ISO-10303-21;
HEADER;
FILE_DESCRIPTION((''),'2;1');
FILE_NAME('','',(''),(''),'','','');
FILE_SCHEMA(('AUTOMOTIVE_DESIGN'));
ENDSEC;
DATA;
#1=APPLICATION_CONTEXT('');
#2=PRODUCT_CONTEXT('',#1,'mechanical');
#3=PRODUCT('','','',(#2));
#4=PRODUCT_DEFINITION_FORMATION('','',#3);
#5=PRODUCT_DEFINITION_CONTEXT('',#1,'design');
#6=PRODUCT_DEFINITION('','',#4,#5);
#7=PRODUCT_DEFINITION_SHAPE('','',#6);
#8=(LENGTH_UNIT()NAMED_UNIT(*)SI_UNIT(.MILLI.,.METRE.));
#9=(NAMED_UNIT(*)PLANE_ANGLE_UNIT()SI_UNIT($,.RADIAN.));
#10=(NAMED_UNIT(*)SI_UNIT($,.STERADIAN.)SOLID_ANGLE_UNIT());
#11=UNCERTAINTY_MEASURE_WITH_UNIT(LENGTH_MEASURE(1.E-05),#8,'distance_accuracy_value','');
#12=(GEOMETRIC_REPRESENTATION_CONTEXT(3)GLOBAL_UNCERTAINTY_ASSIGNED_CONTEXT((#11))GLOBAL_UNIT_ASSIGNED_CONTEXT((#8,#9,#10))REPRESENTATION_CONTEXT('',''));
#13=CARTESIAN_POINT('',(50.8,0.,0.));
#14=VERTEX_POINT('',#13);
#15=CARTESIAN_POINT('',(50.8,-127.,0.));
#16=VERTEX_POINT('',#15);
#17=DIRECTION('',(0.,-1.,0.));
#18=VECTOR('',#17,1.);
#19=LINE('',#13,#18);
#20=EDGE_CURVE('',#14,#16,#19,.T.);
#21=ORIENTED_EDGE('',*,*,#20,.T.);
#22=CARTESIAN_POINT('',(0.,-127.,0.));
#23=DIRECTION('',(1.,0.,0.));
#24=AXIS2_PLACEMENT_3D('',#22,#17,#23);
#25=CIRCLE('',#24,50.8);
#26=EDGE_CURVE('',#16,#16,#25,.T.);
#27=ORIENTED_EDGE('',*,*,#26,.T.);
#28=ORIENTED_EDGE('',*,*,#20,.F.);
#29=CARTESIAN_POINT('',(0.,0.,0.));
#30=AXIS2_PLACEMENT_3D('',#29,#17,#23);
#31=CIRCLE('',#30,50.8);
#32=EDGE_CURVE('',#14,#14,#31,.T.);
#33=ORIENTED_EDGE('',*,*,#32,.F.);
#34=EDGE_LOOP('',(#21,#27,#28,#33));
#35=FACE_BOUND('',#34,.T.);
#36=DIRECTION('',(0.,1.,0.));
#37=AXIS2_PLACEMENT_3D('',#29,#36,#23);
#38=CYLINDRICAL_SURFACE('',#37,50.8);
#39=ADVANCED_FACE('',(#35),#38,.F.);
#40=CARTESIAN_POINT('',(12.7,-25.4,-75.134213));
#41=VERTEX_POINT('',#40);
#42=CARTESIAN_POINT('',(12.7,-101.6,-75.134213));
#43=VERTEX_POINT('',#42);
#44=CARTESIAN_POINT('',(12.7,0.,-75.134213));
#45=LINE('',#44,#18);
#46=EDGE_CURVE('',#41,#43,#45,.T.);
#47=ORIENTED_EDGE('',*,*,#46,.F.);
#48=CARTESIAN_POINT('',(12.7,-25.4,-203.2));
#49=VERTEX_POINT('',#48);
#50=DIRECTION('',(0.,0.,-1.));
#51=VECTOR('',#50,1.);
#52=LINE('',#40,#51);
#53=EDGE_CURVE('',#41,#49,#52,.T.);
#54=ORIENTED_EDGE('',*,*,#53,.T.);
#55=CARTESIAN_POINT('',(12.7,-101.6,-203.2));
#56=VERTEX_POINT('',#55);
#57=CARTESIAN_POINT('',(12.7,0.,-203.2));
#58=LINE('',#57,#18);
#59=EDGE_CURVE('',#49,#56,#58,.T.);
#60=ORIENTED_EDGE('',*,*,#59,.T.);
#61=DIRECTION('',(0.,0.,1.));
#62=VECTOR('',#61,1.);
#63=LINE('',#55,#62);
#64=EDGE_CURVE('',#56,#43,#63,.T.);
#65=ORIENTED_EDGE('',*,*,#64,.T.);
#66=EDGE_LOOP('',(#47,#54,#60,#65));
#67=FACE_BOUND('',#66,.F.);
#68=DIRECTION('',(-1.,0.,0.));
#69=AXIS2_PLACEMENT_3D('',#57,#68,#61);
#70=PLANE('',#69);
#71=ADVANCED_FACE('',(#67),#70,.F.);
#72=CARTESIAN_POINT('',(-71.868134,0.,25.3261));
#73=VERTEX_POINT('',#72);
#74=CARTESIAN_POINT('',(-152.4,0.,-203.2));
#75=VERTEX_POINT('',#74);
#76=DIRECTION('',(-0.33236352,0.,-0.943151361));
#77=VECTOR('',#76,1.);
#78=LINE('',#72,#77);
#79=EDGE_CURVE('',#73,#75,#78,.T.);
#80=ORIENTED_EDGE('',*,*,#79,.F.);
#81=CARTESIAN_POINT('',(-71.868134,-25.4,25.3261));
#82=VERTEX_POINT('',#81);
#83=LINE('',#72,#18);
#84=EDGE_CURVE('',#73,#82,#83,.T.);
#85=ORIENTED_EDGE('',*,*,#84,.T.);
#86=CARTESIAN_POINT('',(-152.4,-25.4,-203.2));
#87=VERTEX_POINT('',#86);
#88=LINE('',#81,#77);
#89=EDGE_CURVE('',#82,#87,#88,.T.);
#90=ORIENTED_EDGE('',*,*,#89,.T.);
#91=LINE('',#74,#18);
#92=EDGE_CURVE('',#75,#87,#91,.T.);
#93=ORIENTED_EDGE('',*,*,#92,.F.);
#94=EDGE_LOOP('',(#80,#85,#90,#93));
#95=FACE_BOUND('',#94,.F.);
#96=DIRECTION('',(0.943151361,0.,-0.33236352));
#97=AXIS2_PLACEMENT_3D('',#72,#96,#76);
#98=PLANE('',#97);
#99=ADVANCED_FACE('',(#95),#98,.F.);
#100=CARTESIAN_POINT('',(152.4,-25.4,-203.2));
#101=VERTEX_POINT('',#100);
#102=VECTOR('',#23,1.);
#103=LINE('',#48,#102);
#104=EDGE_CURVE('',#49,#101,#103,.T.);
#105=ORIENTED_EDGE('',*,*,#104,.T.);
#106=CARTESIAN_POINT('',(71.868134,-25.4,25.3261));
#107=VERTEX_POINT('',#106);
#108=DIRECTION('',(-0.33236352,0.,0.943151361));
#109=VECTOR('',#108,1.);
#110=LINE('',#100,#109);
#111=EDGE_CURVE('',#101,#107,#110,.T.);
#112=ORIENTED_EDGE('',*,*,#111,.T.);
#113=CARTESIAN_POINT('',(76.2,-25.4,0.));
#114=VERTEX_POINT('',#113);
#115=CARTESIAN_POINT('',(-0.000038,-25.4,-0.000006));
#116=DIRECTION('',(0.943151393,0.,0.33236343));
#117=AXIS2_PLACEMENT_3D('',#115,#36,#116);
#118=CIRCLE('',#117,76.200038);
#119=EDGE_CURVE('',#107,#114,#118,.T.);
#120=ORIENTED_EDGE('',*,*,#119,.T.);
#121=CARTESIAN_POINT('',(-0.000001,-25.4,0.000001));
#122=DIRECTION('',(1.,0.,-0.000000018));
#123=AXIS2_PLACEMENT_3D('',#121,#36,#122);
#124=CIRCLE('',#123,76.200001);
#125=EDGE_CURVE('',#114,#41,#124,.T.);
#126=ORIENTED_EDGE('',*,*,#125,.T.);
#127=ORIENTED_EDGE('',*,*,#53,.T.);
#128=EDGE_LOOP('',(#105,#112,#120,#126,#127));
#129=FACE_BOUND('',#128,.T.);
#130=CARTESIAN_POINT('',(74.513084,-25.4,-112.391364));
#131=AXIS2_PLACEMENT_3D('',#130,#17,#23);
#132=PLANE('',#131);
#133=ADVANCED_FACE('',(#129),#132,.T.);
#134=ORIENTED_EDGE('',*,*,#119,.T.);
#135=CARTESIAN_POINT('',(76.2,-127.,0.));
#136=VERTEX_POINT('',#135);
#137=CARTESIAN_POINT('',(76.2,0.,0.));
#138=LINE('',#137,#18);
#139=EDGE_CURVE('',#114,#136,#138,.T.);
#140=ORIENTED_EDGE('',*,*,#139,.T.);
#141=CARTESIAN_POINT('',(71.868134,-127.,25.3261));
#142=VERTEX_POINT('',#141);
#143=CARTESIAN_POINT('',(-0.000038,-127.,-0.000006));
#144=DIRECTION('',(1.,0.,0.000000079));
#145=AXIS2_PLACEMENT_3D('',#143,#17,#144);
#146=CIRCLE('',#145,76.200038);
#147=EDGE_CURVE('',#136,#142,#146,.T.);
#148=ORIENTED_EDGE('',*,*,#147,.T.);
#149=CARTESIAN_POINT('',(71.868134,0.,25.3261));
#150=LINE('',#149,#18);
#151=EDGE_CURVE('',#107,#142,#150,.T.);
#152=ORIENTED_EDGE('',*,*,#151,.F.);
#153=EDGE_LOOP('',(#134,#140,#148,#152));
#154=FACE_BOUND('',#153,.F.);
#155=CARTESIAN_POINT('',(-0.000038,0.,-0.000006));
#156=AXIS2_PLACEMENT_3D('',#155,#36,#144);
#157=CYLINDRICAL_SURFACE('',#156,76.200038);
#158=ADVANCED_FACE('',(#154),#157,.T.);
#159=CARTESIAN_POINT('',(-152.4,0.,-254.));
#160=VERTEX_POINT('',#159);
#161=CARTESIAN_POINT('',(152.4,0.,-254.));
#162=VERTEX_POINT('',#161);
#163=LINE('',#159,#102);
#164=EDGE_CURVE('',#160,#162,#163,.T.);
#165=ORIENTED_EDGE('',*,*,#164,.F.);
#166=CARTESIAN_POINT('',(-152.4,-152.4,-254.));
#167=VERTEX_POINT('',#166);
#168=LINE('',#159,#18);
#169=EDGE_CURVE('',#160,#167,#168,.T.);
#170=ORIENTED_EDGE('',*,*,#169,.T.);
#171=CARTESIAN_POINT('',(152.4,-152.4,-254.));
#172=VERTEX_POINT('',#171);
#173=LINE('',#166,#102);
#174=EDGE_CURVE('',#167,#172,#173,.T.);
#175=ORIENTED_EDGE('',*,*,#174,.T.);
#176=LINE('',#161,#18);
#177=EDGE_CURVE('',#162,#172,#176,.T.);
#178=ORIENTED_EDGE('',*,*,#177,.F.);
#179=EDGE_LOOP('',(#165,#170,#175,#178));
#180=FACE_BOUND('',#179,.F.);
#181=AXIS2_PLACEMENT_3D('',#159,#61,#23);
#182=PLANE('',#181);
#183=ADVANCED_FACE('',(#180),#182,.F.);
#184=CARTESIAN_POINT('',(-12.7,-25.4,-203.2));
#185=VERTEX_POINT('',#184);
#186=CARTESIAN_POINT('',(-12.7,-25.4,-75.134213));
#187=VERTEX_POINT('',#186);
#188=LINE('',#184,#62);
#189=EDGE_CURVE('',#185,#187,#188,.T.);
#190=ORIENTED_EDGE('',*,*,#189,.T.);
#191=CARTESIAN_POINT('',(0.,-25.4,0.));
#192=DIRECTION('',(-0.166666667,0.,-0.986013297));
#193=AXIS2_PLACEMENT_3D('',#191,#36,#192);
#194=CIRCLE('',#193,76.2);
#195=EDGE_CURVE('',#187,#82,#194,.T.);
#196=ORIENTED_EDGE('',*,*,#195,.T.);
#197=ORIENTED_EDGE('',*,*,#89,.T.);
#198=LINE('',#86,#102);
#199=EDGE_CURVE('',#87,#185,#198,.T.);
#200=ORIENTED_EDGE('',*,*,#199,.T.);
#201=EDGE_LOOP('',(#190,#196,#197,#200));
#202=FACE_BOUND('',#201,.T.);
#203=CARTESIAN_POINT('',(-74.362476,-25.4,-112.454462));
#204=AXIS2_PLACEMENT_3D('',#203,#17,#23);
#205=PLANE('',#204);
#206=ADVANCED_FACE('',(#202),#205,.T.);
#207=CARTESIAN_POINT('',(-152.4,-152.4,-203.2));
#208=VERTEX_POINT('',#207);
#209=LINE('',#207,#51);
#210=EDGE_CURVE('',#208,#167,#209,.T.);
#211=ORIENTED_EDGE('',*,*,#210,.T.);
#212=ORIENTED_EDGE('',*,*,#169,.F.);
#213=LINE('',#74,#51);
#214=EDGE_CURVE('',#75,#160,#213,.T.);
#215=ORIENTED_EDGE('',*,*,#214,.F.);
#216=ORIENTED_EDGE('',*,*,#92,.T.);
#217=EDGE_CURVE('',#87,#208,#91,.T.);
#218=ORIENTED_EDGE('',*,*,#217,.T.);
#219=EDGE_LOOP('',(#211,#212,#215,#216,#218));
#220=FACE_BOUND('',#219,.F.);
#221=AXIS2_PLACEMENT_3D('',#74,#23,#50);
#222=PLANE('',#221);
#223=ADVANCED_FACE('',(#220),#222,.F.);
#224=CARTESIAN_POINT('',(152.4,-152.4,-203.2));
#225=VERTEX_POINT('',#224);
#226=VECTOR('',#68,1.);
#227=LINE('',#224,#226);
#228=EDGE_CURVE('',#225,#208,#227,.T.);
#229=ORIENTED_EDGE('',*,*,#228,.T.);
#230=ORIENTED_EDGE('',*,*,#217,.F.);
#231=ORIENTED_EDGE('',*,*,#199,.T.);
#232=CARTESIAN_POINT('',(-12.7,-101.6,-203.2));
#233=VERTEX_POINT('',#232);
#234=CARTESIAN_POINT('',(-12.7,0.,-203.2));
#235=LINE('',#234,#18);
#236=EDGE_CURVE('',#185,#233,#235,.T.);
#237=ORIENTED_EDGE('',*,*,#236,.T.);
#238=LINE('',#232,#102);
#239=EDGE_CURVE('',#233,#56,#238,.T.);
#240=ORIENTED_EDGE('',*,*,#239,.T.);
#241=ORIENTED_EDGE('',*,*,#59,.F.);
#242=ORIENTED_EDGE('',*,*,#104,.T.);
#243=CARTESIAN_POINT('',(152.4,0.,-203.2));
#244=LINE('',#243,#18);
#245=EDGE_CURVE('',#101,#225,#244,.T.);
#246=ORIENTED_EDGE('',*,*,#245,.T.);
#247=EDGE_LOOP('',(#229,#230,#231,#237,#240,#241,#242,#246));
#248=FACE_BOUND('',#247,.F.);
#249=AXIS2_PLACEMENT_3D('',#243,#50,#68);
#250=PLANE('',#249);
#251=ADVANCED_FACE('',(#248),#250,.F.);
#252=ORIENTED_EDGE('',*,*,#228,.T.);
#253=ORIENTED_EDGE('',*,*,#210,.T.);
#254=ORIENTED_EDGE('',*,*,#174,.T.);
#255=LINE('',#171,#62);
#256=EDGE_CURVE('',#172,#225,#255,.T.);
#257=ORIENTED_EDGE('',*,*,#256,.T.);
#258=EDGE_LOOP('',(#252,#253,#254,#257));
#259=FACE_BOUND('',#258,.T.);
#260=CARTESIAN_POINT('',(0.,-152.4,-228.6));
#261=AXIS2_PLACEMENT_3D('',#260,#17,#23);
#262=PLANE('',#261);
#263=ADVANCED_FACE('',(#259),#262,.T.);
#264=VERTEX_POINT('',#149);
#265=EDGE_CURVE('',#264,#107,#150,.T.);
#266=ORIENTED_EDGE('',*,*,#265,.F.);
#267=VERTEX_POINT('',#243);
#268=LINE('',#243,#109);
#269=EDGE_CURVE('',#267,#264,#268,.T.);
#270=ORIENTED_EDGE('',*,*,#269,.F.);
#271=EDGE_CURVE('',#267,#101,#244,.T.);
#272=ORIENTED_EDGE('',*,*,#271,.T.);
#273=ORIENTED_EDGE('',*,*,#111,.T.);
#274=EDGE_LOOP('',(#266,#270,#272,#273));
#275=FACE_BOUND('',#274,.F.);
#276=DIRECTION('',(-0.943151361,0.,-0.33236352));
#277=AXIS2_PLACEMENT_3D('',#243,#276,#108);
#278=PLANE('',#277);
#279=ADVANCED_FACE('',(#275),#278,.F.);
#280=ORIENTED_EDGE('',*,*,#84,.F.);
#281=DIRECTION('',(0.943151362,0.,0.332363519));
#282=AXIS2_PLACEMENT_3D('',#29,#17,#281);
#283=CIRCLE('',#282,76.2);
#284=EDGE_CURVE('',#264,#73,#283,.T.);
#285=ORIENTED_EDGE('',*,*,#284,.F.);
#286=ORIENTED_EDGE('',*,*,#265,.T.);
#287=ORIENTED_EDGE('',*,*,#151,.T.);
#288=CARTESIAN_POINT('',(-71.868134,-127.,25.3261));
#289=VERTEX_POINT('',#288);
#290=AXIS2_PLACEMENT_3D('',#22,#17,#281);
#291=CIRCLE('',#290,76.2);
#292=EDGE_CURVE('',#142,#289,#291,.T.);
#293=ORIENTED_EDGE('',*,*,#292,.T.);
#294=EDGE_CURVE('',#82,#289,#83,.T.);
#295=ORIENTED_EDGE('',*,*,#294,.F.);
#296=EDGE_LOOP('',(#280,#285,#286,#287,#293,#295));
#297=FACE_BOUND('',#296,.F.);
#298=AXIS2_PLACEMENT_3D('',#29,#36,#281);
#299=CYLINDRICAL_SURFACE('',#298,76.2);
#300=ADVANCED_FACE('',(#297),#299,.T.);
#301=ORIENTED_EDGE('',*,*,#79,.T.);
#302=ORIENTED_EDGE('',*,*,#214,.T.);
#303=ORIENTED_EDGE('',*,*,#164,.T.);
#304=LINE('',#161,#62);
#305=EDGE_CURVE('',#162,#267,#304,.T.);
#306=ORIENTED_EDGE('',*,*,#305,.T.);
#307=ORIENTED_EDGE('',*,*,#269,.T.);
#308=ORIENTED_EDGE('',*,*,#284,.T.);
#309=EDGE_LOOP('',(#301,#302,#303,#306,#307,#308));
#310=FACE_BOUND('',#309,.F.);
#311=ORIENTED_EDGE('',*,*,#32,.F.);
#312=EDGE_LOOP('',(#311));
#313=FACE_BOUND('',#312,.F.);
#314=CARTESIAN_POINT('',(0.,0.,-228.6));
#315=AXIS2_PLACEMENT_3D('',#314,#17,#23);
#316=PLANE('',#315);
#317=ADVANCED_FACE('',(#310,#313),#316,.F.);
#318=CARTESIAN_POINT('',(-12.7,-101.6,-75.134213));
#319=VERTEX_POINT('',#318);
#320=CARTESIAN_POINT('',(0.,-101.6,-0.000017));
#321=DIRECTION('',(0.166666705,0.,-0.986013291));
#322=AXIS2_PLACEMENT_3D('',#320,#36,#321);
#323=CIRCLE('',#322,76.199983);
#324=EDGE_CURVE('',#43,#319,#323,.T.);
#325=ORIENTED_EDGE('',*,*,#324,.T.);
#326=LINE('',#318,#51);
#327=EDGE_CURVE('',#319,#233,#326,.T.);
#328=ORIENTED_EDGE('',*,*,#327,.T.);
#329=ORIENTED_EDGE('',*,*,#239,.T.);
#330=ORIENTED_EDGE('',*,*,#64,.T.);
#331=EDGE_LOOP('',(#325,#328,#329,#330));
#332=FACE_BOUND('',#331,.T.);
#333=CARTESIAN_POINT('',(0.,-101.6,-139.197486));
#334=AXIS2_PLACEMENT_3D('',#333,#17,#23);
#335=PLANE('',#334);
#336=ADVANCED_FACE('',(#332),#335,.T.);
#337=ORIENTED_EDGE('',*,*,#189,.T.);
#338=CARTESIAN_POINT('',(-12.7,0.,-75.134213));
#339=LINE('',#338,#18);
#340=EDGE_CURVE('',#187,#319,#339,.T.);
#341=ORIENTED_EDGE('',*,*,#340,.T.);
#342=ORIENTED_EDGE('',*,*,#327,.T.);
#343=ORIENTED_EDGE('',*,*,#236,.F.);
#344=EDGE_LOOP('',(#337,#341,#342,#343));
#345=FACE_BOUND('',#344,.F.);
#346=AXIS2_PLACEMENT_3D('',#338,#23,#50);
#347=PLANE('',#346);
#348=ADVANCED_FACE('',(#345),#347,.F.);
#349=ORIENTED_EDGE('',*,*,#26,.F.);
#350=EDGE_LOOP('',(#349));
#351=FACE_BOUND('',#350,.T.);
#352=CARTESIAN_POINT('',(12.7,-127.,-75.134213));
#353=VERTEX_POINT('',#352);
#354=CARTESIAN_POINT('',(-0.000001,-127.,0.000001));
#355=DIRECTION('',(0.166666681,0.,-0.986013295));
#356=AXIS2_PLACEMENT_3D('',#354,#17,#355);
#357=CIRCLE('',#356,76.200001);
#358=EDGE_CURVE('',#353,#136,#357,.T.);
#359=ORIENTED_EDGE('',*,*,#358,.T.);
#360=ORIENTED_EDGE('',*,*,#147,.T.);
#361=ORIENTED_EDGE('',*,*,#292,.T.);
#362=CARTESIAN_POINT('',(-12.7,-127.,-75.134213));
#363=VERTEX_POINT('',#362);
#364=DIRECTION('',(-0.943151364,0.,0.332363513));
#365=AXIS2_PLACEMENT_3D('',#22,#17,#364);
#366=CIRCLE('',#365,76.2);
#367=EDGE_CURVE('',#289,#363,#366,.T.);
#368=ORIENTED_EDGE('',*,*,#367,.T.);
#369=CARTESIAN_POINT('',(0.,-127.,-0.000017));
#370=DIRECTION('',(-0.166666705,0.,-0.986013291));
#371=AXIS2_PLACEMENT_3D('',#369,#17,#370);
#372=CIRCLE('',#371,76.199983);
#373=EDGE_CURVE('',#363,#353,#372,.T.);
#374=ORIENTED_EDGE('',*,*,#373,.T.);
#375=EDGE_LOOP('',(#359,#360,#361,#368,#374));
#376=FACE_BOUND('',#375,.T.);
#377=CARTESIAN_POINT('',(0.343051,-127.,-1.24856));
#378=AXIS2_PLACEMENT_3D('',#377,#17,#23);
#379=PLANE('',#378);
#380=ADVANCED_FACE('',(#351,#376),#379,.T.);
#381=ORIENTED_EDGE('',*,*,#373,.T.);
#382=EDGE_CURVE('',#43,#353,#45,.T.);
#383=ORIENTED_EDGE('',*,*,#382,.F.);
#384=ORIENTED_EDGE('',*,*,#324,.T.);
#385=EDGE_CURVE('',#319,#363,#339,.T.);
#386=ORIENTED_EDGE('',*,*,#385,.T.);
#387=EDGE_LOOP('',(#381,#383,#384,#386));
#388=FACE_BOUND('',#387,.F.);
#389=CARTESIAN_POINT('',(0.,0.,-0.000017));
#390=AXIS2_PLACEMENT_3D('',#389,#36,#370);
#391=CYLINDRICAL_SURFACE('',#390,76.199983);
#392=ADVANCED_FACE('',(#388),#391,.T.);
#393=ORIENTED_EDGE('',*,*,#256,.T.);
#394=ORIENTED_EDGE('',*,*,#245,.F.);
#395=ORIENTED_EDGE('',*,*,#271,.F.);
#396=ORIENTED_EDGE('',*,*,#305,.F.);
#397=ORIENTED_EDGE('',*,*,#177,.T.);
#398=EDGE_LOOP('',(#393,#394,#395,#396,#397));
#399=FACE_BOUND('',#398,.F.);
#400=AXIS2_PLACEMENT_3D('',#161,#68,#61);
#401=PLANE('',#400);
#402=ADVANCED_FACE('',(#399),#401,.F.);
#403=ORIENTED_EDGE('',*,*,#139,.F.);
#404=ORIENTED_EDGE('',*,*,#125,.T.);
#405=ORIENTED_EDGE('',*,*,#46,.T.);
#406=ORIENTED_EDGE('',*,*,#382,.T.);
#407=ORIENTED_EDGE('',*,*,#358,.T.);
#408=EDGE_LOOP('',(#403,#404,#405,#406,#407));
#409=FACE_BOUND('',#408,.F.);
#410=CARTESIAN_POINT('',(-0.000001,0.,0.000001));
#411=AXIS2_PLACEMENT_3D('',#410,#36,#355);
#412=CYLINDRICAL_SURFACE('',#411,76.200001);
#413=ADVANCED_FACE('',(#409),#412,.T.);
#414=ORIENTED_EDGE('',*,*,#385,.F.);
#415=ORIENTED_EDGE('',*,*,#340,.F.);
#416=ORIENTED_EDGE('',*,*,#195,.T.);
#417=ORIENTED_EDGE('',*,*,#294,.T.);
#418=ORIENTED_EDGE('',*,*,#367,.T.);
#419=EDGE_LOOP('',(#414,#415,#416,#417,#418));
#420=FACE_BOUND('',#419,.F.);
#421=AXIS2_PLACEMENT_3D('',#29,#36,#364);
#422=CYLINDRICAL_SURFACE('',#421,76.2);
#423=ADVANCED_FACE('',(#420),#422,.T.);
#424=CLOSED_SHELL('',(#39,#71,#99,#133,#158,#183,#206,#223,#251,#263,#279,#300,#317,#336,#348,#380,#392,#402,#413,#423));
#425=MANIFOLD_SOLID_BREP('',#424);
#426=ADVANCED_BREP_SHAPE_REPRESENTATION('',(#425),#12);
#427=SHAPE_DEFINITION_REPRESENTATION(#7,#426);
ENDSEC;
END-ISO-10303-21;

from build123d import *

# Parameters (mm, degrees)
F0_R     = 50.8
F1_DEPTH = 127
F2_DEPTH = 25.4
F3_DEPTH = 152.4
F4_DEPTH = 101.6


with BuildPart() as f1:
    # F0 (on Front) → F1 (new body)
    with BuildSketch(Plane.XZ):
        with BuildLine():
            ThreePointArc((12.7, -75.134213), (58.198711, -49.186888), (76.2, 0))
            ThreePointArc((76.2, 0), (75.109226, 12.846949), (71.868134, 25.3261))
            ThreePointArc((71.868134, 25.3261), (0, 76.2), (-71.868134, 25.3261))
            ThreePointArc((-71.868134, 25.3261), (-65.658289, -38.670778), (-12.7, -75.134213))
            ThreePointArc((-12.7, -75.134213), (0, -76.2), (12.7, -75.134213))
        make_face()
        Circle(F0_R, mode=Mode.SUBTRACT)
    extrude(amount=F1_DEPTH)

    # F0 (on Front) → F2 (join)
    with BuildSketch(Plane.XZ):
        with BuildLine():
            ThreePointArc((-12.7, -75.134213), (-65.658289, -38.670778), (-71.868134, 25.3261))
            Line((-71.868134, 25.3261), (-152.4, -203.2))
            Line((-152.4, -203.2), (-12.7, -203.2))
            Line((-12.7, -203.2), (-12.7, -75.134213))
        make_face()
        with BuildLine():
            ThreePointArc((71.868134, 25.3261), (75.109226, 12.846949), (76.2, 0))
            ThreePointArc((76.2, 0), (58.198711, -49.186888), (12.7, -75.134213))
            Line((12.7, -75.134213), (12.7, -203.2))
            Line((12.7, -203.2), (152.4, -203.2))
            Line((152.4, -203.2), (71.868134, 25.3261))
        make_face()
    extrude(amount=F2_DEPTH)

    # F0 (on Front) → F3 (join)
    with BuildSketch(Plane.XZ):
        Polygon((152.4, -254), (152.4, -203.2), (12.7, -203.2), (-12.7, -203.2), (-152.4, -203.2), (-152.4, -254), align=None)
    extrude(amount=F3_DEPTH)

    # F0 (on Front) → F4 (join)
    with BuildSketch(Plane.XZ):
        with BuildLine():
            Line((12.7, -203.2), (12.7, -75.134213))
            ThreePointArc((12.7, -75.134213), (0, -76.2), (-12.7, -75.134213))
            Line((-12.7, -75.134213), (-12.7, -203.2))
            Line((-12.7, -203.2), (12.7, -203.2))
        make_face()
    extrude(amount=F4_DEPTH)


solid = f1.part
